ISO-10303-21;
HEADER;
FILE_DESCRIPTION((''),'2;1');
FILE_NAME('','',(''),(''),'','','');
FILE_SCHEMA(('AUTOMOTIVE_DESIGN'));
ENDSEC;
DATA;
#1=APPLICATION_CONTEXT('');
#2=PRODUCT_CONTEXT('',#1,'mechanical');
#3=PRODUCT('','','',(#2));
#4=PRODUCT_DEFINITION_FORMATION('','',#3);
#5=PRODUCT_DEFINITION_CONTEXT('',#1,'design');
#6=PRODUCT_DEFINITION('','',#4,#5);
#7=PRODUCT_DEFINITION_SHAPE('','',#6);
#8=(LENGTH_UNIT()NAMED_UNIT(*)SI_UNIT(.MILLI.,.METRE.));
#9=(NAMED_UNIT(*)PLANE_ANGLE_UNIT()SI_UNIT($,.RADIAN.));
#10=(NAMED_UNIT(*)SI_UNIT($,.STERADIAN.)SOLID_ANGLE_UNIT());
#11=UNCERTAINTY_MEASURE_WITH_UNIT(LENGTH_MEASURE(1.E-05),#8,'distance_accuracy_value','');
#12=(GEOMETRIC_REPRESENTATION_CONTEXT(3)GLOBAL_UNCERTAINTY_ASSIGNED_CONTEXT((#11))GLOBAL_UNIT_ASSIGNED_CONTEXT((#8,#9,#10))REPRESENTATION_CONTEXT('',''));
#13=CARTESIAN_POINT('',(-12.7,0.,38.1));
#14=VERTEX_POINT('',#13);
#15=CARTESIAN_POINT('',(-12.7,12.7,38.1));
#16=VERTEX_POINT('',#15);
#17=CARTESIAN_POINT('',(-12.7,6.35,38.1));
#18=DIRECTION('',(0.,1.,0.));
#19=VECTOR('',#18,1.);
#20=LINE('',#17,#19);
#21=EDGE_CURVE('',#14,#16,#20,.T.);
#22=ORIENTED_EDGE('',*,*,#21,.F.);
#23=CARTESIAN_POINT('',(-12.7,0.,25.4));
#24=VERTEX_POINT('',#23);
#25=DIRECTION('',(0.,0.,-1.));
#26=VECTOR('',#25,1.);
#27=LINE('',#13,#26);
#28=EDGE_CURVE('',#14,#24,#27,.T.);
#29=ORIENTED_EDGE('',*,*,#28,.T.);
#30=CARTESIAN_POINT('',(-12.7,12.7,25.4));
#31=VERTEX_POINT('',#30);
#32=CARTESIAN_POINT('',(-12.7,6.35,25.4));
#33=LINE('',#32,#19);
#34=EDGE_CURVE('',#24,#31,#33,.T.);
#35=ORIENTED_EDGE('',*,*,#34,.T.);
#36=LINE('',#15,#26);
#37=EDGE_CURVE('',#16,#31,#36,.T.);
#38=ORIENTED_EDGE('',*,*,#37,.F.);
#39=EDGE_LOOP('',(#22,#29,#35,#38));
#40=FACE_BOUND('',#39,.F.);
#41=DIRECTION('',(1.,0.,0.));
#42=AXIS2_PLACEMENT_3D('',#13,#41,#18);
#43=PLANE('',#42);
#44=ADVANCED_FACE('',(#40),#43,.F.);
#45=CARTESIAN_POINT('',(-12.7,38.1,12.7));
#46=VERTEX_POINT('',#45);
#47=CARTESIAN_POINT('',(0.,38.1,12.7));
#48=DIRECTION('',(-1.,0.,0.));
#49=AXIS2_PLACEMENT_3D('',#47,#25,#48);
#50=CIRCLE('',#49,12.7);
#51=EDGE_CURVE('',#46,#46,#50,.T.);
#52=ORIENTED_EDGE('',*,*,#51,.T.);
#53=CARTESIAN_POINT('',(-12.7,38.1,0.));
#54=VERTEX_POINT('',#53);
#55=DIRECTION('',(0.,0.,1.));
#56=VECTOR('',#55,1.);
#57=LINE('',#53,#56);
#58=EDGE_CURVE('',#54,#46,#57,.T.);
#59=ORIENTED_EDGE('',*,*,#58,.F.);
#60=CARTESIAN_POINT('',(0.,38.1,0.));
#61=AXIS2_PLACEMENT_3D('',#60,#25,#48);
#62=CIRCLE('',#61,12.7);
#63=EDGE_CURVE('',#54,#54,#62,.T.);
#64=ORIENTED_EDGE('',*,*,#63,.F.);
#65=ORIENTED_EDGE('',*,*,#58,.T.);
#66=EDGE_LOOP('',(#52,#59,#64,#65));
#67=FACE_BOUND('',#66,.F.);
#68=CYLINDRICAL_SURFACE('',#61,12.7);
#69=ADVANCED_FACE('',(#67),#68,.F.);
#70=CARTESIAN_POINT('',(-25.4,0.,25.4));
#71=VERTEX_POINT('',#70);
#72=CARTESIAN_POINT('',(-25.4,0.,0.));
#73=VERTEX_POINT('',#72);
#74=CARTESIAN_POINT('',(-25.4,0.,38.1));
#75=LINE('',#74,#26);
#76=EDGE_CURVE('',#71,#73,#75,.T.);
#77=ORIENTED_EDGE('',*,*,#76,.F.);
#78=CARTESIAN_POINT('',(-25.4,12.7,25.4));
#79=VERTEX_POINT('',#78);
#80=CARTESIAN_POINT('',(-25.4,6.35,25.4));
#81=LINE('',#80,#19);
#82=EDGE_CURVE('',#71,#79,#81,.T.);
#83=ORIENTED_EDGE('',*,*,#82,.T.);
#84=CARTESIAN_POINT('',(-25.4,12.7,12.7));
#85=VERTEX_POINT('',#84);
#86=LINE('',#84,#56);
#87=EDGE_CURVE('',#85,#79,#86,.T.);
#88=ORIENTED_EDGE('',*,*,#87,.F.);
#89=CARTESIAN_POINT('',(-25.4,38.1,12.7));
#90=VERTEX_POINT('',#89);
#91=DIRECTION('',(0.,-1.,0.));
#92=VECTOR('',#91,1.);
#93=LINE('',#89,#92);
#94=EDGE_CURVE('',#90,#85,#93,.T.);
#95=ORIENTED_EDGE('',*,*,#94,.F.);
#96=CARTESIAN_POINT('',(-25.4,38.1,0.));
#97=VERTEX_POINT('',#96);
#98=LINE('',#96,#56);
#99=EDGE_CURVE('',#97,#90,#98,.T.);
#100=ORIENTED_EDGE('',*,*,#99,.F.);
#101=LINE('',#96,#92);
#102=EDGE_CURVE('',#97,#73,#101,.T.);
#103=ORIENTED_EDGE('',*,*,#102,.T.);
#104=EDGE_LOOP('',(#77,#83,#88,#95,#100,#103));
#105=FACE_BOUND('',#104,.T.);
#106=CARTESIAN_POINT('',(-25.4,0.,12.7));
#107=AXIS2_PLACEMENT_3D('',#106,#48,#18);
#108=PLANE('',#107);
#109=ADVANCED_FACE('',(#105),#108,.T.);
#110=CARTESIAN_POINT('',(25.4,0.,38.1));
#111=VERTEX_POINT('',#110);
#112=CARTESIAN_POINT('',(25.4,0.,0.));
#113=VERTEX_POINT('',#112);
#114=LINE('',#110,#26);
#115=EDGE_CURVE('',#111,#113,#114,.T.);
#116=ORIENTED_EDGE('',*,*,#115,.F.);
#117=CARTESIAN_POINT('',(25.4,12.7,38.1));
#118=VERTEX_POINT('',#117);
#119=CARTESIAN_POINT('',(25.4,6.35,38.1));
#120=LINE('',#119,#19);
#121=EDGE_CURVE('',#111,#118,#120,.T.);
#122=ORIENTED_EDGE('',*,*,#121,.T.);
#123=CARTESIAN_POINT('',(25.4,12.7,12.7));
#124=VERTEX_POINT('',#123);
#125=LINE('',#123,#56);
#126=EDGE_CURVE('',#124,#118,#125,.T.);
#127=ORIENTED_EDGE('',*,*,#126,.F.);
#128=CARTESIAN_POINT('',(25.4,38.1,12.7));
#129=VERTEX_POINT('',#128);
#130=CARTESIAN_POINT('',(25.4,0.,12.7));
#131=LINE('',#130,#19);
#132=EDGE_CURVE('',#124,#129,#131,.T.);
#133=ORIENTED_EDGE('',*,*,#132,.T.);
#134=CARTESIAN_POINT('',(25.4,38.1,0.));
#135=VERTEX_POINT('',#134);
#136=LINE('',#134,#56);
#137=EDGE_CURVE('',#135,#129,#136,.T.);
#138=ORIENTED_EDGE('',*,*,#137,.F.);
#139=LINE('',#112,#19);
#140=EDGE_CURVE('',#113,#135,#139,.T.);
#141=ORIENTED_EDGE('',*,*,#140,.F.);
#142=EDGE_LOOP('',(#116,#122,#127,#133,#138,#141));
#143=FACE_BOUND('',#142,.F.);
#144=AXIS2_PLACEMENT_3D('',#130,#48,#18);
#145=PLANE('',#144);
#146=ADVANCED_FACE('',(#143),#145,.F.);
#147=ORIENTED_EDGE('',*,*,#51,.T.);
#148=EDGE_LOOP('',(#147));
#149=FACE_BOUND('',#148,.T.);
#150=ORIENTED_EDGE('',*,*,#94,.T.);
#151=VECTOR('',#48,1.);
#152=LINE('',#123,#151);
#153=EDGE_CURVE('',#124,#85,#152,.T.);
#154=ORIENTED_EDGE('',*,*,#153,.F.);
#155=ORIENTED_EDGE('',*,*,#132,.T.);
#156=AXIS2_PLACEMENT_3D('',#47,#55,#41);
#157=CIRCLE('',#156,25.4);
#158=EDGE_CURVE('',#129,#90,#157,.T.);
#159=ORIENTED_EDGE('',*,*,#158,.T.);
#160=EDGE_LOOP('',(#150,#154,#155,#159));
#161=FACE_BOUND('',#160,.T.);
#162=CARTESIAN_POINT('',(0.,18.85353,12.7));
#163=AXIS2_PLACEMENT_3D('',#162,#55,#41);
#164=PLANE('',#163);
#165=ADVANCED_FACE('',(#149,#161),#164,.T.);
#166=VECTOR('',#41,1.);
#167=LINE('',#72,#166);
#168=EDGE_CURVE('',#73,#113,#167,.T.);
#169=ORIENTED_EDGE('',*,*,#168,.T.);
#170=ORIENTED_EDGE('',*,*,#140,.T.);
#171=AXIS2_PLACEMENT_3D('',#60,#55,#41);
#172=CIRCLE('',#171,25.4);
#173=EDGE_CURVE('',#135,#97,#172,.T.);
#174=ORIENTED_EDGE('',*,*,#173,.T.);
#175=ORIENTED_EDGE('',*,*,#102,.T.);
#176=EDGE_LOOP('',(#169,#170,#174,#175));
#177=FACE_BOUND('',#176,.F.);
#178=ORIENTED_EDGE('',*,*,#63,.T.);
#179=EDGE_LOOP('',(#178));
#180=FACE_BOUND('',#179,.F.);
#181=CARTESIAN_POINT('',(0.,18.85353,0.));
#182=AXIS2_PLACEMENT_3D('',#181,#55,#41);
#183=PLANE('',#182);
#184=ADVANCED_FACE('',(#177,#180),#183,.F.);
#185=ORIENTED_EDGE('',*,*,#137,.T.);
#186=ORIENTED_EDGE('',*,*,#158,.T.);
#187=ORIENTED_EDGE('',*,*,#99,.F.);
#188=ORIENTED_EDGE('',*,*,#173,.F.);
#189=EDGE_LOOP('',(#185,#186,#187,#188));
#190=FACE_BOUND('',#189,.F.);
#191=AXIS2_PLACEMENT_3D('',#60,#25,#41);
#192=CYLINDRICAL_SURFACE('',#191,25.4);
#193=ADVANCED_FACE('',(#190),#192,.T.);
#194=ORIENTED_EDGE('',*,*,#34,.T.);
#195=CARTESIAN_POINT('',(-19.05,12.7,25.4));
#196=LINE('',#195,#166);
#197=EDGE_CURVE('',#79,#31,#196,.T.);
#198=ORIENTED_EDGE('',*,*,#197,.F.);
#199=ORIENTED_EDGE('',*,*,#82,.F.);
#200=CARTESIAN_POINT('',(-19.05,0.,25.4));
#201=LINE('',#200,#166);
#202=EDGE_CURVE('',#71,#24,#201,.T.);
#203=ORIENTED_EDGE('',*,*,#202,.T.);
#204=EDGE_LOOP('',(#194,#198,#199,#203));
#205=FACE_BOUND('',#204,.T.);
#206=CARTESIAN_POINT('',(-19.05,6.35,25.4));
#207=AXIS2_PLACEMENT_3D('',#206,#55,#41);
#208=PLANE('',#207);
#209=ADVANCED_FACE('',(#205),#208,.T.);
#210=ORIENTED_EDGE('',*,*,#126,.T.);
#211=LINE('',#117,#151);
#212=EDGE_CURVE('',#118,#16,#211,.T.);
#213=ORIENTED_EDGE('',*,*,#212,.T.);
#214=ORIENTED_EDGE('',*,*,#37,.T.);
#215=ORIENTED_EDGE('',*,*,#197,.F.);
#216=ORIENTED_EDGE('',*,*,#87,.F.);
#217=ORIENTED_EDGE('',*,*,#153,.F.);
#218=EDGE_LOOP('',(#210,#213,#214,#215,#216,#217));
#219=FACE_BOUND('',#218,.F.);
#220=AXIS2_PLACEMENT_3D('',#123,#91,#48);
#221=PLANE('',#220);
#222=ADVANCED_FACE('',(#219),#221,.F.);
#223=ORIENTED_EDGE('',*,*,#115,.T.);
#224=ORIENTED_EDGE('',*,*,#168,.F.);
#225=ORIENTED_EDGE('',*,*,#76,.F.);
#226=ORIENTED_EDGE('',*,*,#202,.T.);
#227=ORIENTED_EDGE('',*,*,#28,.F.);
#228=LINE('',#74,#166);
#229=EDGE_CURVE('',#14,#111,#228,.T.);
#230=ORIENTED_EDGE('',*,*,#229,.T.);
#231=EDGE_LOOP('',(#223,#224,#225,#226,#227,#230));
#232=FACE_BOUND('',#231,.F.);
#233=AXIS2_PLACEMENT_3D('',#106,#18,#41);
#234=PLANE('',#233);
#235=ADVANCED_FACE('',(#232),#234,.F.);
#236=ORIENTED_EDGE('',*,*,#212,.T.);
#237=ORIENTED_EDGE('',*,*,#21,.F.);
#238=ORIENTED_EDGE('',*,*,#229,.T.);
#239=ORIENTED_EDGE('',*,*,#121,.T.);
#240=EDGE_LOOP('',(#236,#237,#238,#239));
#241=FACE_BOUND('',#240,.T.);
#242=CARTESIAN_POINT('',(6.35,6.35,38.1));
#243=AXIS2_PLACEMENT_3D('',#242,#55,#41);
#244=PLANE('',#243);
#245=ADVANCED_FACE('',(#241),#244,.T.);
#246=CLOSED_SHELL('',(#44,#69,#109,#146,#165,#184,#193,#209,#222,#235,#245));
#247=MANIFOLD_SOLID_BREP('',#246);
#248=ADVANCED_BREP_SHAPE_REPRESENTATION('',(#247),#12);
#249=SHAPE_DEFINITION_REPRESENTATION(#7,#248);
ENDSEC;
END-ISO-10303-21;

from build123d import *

# Parameters (mm, degrees)
F1_DEPTH = 12.7
F2_W     = 38.1
F2_H     = 12.7
F2_W_2   = 12.7
F3_DEPTH = 25.4
F4_W     = 12.7
F4_H     = 12.7
F5_DEPTH = 12.7


with BuildPart() as f1:
    # F0 (on Top) → F1 (new body)
    with BuildSketch(Plane.XY):
        with BuildLine():
            Line((-25.4, 38.1), (-25.4, 0))
            Line((-25.4, 0), (25.4, 0))
            Line((25.4, 0), (25.4, 38.1))
            Line((25.4, 38.1), (12.7, 38.1))
            ThreePointArc((12.7, 38.1), (0, 25.4), (-12.7, 38.1))
            Line((-12.7, 38.1), (-25.4, 38.1))
        make_face()
        with BuildLine():
            ThreePointArc((25.4, 38.1), (0, 63.5), (-25.4, 38.1))
            Line((-25.4, 38.1), (-12.7, 38.1))
            ThreePointArc((-12.7, 38.1), (0, 50.8), (12.7, 38.1))
            Line((12.7, 38.1), (25.4, 38.1))
        make_face()
    extrude(amount=F1_DEPTH)

    # F2 (on face) → F3 (join)
    with BuildSketch(Plane.XY.offset(12.7)):
        with Locations((6.35, 6.35)):
            Rectangle(F2_W, F2_H)
        with Locations((-19.05, 6.35)):
            Rectangle(F2_W_2, F2_H)
    extrude(amount=F3_DEPTH)

    # F4 (on face) → F5 (cut)
    with BuildSketch(Plane.XY.offset(38.1)):
        with Locations((-19.05, 6.35)):
            Rectangle(F4_W, F4_H)
    extrude(amount=-F5_DEPTH, mode=Mode.SUBTRACT)


solid = f1.part
